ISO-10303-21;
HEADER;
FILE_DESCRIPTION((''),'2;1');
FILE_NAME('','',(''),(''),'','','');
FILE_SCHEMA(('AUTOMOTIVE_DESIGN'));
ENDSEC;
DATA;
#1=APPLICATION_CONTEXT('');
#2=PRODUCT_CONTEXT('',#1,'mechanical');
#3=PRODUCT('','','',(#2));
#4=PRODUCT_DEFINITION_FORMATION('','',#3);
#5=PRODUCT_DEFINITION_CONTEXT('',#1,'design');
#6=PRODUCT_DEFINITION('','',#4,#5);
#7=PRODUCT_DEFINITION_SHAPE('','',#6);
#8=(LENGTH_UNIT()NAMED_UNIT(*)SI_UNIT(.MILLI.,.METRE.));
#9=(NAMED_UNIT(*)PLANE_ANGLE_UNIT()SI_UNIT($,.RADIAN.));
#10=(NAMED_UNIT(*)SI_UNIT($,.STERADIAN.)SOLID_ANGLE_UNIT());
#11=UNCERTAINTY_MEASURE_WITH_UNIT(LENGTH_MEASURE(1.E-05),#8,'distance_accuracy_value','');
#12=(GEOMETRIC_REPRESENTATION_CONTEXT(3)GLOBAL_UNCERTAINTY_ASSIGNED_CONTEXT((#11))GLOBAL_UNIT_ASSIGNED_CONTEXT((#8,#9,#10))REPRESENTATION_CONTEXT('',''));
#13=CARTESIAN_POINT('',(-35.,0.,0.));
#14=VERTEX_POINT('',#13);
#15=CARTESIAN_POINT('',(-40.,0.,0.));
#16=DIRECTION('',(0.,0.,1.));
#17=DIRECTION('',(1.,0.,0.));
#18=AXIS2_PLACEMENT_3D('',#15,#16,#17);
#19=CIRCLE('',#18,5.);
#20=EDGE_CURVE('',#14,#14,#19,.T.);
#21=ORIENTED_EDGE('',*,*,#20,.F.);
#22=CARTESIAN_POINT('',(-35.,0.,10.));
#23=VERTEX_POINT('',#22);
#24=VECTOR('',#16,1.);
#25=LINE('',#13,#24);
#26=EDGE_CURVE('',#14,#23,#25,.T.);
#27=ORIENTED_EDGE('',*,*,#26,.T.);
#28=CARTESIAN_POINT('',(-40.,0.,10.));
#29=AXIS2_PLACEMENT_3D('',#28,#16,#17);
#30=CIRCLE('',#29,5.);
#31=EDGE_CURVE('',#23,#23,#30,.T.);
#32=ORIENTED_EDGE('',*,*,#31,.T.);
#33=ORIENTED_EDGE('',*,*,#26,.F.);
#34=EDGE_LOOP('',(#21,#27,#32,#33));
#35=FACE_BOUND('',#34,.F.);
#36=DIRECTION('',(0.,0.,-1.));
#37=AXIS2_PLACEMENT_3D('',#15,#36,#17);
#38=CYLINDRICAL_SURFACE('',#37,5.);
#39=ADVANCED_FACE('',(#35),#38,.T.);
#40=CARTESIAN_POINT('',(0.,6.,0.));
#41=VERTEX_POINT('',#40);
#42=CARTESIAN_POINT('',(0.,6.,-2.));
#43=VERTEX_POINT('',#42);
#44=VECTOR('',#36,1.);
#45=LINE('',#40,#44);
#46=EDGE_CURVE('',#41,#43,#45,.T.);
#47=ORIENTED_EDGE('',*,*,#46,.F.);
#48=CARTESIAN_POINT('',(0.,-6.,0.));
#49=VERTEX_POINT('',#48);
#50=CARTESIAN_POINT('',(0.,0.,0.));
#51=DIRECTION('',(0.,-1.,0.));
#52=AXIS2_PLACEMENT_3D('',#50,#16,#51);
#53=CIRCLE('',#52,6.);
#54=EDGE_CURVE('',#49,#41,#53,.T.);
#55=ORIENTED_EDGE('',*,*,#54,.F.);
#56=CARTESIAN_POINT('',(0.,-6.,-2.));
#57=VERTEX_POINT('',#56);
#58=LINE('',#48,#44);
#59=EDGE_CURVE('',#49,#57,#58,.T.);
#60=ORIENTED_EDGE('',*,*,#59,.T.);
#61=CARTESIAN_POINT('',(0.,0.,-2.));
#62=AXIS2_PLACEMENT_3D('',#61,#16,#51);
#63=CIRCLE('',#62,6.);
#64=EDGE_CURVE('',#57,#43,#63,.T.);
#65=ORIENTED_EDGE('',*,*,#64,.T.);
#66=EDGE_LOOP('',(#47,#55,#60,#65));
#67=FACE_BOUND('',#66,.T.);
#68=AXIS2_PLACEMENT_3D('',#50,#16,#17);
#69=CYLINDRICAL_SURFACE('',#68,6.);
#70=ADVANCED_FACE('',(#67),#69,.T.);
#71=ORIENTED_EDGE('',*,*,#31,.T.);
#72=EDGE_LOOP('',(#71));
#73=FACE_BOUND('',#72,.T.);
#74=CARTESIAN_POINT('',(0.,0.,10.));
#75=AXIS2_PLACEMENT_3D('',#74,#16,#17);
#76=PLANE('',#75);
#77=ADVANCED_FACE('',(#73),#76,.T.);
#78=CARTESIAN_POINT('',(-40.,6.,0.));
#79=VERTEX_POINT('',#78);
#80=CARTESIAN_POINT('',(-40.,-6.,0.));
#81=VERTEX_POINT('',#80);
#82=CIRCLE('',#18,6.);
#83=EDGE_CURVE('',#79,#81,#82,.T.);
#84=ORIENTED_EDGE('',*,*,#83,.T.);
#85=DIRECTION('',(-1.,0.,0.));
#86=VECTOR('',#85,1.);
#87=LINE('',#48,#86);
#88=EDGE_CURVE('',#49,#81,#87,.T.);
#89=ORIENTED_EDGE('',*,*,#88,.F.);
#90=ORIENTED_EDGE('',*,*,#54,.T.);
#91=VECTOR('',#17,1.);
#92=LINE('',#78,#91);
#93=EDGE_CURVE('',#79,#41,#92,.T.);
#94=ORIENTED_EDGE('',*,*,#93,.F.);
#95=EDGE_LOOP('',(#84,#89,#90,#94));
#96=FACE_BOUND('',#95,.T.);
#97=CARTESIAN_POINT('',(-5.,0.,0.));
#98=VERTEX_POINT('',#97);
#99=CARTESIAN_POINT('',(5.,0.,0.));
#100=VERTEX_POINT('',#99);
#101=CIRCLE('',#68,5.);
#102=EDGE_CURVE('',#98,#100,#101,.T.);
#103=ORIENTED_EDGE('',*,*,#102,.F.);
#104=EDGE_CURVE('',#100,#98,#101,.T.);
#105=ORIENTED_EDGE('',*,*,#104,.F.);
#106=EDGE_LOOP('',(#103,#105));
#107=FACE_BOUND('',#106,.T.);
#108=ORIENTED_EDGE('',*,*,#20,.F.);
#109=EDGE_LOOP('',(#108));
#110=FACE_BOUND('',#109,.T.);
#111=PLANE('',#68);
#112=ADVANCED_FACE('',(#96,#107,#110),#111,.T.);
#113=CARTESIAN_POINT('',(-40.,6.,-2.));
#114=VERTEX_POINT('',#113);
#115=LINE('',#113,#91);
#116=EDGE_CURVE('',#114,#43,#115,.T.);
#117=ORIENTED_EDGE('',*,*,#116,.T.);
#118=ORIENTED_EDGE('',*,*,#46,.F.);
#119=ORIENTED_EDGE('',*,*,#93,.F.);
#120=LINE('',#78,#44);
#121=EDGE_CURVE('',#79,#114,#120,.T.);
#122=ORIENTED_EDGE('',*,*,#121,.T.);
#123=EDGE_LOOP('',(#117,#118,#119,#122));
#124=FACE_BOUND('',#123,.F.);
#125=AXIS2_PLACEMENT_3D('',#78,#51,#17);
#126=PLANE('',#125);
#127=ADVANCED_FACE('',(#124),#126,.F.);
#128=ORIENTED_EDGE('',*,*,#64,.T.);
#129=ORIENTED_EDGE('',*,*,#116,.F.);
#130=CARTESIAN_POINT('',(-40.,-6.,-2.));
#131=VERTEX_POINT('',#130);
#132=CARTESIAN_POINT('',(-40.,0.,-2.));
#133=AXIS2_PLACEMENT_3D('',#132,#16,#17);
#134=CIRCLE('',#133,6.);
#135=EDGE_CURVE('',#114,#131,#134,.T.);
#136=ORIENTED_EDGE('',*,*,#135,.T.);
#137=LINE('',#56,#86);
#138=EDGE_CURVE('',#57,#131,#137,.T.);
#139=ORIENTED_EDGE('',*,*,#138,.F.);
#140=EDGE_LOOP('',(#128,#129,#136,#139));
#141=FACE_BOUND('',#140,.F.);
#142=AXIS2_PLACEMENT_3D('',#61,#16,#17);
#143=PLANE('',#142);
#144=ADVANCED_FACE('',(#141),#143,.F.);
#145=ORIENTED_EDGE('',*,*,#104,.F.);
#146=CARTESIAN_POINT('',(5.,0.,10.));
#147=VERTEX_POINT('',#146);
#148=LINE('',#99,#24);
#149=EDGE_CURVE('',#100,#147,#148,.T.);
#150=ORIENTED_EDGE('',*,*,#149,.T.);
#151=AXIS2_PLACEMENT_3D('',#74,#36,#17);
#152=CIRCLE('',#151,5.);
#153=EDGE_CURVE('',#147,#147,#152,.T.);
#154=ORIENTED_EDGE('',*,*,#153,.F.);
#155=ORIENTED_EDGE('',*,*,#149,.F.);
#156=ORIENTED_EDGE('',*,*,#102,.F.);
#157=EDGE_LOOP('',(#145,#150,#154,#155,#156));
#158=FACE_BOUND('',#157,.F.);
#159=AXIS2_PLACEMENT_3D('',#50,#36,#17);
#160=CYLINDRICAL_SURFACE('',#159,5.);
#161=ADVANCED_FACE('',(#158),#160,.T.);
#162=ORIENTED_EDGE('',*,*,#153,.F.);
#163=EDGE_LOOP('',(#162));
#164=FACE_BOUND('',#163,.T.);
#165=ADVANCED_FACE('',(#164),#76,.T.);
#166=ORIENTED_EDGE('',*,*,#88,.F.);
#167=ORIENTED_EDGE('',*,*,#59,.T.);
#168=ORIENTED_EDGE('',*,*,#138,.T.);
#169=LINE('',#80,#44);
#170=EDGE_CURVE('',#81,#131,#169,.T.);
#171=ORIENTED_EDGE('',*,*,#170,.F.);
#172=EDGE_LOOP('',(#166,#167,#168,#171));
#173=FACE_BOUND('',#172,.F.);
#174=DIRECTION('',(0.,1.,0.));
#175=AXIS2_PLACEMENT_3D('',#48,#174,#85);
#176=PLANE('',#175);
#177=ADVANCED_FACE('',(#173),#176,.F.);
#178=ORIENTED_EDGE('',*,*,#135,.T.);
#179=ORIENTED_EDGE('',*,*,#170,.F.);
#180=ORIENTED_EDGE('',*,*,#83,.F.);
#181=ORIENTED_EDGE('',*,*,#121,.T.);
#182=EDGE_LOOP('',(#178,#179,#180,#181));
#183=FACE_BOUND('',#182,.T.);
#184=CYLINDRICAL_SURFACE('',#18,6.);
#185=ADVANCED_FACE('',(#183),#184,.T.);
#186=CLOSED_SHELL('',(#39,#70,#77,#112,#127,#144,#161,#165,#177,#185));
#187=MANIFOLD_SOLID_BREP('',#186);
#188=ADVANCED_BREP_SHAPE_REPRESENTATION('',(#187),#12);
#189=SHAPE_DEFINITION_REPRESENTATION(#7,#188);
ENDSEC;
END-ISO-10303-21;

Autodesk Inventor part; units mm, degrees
ref_plane "YZ Plane" through (0, 0, 0) normal (1, 0, 0) x (0, 1, 0)
ref_plane "XZ Plane" through (0, 0, 0) normal (0, 1, 0) x (-1, 0, 0)
ref_plane "XY Plane" through (0, 0, 0) normal (0, 0, 1) x (1, 0, 0)
sketch "Sketch1" plane through (0, 0, 0) normal (0, 0, 1) x (1, 0, 0)
  circle A0 centre (0, 0) radius 5
  circle A1 centre (0, 0) radius 6
  line L0 (0, 0) -> (-40, 0)
  circle A2 centre (-40, 0) radius 5
  circle A3 centre (-40, 0) radius 6
  line L1 (-40, 6) -> (0, 6)
  line L2 (0, -6) -> (-40, -6)
  dimension "d0" = 10
  dimension "d1" = 12
  dimension "d2" = 40
  dimension "d3" = 10
  dimension "d4" = 12
extrude "Extrusion1" add sketch "Sketch1" along normal blind 10 contours A0 | A2
extrude "Extrusion2" add sketch "Sketch1" against normal blind 2 contours A0 | A1 | A1 L2 A3 L0 | L0 A3 L1 A1 | A2 | A3
properties part number "Test"
